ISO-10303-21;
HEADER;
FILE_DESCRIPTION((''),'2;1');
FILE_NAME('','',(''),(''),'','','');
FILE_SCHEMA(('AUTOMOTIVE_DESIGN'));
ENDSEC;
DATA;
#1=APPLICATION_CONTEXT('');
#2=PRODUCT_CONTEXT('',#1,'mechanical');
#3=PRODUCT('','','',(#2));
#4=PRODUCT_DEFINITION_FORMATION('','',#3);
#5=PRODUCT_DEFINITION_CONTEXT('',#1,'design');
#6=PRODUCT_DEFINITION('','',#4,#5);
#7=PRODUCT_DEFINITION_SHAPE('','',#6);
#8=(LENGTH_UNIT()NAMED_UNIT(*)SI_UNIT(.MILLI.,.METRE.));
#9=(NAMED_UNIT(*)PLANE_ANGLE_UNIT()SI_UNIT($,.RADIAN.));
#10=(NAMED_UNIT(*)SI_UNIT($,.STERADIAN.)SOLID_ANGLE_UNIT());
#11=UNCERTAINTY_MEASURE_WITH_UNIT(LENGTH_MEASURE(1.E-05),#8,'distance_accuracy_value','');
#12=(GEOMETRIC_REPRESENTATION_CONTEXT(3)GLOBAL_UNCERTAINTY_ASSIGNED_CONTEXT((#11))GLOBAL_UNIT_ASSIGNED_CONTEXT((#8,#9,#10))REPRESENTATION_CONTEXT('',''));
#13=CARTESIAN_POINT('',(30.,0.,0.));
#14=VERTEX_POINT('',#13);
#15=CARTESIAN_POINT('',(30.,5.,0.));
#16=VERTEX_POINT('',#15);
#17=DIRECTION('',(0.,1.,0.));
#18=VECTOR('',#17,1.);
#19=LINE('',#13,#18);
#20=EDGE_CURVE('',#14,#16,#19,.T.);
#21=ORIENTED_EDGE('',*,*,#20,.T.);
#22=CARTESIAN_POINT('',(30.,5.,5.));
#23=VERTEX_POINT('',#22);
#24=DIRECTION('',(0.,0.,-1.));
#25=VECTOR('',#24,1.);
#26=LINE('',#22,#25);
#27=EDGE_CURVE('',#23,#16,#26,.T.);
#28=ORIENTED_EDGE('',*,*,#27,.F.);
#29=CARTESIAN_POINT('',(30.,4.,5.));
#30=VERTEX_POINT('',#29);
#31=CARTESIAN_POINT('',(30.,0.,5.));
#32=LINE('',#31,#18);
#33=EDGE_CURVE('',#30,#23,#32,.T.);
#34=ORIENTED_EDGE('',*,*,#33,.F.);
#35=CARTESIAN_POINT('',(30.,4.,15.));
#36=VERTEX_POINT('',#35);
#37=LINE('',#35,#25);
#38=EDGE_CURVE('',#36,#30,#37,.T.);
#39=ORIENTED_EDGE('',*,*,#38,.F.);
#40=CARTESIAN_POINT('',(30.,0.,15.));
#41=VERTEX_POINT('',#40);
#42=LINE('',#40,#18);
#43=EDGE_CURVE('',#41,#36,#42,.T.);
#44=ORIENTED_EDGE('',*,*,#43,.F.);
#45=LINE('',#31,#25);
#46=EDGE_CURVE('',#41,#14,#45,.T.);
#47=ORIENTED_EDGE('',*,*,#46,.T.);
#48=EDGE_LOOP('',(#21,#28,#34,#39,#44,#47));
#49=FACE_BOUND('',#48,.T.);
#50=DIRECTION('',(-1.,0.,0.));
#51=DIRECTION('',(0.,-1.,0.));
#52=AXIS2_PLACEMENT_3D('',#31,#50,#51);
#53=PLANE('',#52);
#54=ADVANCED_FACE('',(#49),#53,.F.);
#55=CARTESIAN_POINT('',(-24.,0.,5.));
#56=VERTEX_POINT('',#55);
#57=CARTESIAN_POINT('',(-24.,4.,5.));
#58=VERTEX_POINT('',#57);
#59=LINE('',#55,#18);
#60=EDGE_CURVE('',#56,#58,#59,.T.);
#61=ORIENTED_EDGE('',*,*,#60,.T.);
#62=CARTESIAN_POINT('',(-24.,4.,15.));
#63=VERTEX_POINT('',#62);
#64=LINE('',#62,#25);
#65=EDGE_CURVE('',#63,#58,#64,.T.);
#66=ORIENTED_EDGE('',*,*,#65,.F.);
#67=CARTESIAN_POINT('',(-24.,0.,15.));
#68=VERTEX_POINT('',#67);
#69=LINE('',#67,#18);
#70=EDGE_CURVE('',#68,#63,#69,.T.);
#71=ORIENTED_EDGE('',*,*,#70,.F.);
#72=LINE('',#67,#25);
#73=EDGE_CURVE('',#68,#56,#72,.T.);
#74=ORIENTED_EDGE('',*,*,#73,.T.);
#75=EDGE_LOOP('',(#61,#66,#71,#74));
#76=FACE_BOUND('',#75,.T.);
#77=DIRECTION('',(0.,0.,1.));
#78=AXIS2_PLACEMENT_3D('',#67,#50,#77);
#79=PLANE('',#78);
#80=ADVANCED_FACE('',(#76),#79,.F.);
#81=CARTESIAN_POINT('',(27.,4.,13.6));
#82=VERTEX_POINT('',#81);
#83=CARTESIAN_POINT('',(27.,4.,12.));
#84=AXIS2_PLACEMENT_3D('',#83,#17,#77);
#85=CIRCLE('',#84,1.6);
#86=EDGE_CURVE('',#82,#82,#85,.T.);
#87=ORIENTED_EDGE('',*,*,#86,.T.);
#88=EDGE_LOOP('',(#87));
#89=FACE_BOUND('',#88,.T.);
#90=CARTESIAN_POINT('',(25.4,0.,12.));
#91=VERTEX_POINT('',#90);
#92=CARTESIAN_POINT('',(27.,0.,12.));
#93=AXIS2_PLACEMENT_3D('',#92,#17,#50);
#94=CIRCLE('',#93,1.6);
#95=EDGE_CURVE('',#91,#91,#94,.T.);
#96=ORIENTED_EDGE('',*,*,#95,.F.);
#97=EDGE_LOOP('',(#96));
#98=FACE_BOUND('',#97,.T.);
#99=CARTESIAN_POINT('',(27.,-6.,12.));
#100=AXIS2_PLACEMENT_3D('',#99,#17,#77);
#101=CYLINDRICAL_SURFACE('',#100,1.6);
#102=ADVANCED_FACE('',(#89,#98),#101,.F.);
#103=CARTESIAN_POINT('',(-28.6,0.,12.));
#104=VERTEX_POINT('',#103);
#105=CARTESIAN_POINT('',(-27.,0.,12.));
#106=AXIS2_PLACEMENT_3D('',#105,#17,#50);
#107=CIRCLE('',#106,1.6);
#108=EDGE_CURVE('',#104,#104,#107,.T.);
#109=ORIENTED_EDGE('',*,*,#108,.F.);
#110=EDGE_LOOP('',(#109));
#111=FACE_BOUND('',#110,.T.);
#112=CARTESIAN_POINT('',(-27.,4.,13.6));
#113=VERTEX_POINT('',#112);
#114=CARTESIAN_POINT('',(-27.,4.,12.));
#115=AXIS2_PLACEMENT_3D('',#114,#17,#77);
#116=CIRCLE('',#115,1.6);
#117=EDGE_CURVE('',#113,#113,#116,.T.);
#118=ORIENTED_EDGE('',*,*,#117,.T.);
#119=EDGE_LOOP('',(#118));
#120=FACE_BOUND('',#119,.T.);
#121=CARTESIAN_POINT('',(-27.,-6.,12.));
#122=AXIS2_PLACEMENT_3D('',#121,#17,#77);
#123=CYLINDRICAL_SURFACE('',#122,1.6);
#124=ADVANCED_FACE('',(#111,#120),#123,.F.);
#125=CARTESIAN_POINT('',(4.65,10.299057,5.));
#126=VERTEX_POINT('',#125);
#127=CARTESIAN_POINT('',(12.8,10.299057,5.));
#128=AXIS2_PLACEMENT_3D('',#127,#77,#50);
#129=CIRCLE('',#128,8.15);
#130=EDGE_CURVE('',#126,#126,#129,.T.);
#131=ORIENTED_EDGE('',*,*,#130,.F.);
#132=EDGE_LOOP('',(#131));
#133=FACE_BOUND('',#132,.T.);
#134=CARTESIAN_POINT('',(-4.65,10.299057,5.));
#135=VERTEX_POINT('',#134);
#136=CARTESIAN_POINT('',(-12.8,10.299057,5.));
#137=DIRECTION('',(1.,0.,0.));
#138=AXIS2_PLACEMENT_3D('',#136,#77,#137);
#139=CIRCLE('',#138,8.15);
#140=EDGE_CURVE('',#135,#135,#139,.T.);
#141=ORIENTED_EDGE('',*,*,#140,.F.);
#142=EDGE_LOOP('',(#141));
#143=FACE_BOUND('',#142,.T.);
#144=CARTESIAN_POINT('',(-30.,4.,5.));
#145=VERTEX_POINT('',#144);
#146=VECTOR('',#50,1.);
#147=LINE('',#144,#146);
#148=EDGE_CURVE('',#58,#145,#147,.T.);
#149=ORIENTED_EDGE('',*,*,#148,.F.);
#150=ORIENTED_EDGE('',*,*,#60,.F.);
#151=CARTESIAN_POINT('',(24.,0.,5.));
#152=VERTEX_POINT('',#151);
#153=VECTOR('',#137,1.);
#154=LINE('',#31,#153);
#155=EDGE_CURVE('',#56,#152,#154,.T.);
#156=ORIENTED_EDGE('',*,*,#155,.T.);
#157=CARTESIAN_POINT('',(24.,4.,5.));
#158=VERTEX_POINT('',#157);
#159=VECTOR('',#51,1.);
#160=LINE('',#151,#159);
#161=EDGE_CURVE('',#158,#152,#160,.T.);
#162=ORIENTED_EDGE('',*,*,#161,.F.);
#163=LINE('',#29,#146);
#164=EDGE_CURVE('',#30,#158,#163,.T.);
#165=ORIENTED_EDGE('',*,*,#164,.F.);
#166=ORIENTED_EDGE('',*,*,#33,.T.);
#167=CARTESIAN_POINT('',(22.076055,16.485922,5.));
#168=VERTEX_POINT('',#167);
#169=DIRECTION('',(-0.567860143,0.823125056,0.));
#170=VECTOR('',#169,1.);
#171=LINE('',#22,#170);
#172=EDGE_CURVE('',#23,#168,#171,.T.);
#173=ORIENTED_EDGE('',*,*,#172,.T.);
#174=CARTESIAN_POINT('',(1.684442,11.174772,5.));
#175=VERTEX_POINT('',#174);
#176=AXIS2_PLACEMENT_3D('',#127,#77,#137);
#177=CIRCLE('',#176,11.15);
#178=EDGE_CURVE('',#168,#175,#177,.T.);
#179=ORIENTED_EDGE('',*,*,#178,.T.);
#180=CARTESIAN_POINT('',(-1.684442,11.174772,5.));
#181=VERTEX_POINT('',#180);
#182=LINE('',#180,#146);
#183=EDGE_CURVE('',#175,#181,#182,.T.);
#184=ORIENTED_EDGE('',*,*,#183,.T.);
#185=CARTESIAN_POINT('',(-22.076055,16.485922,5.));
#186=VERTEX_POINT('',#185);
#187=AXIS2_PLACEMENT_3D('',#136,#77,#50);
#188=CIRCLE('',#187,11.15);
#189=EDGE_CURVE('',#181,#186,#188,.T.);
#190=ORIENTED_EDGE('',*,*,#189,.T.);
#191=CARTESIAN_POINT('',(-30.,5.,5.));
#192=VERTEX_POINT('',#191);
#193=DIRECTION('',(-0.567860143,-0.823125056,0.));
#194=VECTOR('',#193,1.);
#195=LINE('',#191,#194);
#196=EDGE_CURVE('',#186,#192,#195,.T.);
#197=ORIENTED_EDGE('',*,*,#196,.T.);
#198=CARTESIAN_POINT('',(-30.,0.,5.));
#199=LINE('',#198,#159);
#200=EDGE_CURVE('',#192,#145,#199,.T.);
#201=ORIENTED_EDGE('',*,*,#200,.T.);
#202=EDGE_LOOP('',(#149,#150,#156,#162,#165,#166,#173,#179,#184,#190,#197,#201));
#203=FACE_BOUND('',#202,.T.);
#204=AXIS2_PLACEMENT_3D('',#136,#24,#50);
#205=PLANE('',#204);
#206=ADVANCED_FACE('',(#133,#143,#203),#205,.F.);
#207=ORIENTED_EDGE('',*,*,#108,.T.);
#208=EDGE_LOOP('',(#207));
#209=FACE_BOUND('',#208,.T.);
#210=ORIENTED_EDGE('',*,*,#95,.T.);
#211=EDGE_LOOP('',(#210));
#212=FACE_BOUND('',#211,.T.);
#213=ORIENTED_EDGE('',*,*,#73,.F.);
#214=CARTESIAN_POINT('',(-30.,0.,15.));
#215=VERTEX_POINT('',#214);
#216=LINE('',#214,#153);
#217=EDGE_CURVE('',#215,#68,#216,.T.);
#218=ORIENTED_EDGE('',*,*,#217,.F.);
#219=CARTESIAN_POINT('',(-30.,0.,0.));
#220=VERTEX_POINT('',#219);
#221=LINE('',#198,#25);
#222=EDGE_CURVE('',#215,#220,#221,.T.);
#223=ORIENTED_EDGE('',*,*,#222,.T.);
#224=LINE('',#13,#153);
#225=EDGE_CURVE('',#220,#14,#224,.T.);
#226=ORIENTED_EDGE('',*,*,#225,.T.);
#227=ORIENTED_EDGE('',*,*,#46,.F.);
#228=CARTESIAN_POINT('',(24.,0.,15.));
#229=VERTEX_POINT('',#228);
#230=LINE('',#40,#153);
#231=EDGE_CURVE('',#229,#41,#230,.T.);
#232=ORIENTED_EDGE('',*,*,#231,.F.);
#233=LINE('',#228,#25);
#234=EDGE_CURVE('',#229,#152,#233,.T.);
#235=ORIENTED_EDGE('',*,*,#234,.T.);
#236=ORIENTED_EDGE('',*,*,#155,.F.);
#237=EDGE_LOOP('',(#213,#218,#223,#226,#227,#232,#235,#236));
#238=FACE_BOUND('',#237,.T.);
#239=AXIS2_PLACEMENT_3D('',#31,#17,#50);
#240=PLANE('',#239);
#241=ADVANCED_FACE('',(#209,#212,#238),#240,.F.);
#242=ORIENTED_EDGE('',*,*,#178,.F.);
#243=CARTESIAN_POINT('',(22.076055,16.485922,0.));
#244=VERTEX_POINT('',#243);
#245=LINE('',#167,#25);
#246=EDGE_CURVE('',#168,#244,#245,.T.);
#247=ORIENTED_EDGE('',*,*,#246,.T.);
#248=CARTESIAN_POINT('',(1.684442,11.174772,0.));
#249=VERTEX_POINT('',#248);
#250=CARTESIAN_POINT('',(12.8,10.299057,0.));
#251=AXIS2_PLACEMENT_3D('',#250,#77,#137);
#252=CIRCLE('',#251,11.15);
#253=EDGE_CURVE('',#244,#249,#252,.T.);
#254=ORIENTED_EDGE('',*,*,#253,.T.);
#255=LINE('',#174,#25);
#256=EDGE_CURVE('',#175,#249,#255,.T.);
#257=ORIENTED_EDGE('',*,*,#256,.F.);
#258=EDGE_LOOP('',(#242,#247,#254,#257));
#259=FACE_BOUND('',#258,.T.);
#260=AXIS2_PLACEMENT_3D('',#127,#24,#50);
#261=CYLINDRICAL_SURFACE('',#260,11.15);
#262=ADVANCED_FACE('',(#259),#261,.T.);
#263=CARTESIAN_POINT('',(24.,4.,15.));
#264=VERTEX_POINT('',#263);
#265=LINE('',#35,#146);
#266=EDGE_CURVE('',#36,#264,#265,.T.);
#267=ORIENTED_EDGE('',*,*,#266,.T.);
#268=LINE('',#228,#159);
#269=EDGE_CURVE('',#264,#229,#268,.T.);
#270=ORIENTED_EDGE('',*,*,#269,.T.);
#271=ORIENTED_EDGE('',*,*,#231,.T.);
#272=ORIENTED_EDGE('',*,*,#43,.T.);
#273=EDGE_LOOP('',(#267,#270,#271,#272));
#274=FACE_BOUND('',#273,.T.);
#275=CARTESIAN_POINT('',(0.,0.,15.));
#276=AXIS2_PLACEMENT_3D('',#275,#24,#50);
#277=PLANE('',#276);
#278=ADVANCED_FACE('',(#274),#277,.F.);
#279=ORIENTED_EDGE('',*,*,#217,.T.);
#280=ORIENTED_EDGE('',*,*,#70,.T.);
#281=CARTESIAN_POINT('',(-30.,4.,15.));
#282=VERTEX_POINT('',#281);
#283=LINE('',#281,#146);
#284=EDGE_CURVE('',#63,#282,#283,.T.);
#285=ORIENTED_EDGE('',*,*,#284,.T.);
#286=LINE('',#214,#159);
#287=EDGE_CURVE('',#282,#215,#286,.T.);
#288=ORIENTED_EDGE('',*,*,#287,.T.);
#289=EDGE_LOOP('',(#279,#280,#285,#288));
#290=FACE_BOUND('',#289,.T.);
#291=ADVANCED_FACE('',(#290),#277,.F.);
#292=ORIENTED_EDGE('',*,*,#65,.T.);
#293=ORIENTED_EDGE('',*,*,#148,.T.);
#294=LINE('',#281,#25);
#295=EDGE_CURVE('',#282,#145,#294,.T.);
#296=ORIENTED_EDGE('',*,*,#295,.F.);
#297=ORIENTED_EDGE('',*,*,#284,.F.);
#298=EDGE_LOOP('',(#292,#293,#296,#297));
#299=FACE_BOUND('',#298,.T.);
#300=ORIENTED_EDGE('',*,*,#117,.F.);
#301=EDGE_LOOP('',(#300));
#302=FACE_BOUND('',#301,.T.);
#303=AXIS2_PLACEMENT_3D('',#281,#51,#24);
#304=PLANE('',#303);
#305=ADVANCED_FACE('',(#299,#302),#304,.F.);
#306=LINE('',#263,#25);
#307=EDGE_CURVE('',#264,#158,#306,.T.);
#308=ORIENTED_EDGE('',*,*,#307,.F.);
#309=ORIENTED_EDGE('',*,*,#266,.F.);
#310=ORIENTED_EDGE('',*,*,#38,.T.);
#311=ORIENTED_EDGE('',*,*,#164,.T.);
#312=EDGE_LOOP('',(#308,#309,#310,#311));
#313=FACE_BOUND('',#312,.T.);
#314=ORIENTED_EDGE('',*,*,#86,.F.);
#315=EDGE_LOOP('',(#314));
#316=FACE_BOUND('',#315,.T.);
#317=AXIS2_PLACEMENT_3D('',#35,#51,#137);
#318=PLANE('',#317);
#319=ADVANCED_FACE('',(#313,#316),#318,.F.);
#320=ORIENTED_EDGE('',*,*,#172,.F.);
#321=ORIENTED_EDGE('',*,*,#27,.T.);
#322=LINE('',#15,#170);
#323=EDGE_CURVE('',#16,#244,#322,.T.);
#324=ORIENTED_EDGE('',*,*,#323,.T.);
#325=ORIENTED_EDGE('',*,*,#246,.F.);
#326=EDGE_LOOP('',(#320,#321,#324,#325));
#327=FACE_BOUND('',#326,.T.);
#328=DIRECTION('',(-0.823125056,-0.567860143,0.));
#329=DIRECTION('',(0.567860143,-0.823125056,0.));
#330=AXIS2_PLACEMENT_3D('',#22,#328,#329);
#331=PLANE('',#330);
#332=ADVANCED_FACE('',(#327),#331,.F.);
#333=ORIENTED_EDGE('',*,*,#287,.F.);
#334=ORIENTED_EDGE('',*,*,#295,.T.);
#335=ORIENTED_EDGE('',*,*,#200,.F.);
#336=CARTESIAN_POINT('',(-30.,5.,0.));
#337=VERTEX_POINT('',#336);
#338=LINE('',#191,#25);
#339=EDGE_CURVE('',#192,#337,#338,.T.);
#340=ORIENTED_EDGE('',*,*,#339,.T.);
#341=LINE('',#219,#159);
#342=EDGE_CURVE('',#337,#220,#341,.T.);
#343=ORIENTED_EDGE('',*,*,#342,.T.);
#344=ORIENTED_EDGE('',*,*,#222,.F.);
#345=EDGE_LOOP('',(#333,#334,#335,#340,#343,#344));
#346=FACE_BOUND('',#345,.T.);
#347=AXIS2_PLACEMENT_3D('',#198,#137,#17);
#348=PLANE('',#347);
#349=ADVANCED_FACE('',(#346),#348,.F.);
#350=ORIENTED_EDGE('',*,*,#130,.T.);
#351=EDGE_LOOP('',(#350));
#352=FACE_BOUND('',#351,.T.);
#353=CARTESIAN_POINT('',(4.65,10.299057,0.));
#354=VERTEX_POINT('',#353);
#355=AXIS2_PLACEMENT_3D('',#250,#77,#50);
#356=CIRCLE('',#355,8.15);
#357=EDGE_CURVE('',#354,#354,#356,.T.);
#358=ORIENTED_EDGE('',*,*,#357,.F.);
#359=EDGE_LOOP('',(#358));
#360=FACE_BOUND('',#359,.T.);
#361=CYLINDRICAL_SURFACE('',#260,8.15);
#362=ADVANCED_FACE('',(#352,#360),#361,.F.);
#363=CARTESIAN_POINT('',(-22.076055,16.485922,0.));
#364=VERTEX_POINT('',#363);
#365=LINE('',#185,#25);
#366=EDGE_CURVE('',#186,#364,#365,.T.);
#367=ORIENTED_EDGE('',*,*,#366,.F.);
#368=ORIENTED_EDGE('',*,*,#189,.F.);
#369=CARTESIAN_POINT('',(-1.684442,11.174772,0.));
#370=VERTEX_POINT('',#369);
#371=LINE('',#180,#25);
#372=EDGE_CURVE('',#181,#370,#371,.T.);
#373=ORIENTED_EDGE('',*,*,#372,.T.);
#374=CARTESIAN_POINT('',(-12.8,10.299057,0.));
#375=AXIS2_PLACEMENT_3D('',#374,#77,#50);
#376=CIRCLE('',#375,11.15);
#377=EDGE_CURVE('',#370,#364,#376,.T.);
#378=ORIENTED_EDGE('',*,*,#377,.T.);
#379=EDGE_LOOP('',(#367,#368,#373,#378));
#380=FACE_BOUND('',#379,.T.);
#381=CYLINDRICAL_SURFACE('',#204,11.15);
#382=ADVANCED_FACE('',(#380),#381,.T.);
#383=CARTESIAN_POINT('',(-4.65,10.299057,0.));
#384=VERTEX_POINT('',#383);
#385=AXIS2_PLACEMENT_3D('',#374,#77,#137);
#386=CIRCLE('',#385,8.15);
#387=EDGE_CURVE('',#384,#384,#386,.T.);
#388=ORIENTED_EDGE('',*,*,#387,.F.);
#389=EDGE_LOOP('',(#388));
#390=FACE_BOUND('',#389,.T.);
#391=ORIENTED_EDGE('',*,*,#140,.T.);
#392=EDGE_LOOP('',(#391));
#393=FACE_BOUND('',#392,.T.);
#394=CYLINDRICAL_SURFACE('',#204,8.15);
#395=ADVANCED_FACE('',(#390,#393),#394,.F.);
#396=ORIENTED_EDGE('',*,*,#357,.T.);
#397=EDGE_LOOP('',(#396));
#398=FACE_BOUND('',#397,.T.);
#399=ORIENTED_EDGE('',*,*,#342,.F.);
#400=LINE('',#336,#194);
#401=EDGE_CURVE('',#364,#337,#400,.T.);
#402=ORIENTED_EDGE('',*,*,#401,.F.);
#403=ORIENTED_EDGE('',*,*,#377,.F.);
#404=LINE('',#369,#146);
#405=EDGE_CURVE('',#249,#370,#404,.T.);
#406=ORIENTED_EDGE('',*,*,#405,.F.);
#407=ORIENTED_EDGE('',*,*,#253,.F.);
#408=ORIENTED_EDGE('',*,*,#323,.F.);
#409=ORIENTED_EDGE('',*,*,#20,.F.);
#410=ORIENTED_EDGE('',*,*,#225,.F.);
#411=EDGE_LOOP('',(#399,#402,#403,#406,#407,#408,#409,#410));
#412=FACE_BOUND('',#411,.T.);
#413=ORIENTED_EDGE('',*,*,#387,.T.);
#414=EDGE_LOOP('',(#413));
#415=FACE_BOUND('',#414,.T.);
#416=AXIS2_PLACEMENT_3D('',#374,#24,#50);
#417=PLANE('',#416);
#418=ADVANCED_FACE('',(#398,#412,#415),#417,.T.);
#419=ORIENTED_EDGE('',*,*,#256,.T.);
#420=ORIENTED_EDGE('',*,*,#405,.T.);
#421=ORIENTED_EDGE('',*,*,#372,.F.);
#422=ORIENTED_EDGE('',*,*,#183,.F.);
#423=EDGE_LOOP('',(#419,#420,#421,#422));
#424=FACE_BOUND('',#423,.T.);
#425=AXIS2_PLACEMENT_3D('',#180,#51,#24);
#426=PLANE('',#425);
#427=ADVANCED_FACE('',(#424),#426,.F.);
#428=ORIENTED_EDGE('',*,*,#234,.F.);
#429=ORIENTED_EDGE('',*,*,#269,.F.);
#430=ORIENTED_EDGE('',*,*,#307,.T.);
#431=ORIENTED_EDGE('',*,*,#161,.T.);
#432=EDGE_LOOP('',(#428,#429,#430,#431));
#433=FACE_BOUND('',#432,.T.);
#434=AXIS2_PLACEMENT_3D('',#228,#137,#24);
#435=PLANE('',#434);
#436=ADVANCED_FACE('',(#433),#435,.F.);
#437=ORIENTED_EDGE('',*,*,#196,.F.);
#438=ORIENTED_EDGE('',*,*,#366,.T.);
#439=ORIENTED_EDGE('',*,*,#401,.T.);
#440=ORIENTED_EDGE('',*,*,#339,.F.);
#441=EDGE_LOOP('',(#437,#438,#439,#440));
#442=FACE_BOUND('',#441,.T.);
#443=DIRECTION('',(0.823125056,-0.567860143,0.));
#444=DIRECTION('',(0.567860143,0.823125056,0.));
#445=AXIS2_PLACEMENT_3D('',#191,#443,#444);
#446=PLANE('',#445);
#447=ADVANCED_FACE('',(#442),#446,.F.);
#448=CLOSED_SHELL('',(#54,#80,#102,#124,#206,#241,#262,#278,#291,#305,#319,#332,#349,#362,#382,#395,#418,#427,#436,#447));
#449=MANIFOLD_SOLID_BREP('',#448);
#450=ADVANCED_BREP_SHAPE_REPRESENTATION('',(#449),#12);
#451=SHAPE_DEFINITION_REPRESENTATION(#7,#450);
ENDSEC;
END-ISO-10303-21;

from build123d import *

# Parameters (mm, degrees)
SKETCH1_R           = 8.15
BOSS_EXTRUDE1_DEPTH = 5
SKETCH3_W           = 6
SKETCH3_H           = 4
BOSS_EXTRUDE2_DEPTH = 10
SKETCH4_R           = 1.6
CUT_EXTRUDE1_DEPTH  = 10


with BuildPart() as part:
    # Sketch1 → Boss-Extrude1 (new body)
    with BuildSketch(Plane.XY):
        with BuildLine():
            Line((30, 0), (-30, 0))
            Line((-30, 0), (-30, 5))
            Line((-30, 5), (-22.076055104, 16.485922475))
            ThreePointArc((-22.076055104, 16.485922475), (-9.989658142, 21.089074765), (-1.684442299, 11.174772352))
            Line((-1.684442299, 11.174772352), (1.684442299, 11.174772352))
            ThreePointArc((1.684442299, 11.174772352), (9.989658142, 21.089074765), (22.076055104, 16.485922475))
            Line((22.076055104, 16.485922475), (30, 5))
            Line((30, 5), (30, 0))
        make_face()
        with Locations((-12.8, 10.299057219)):
            Circle(SKETCH1_R, mode=Mode.SUBTRACT)
        with Locations(Location((12.8, 10.299057219, 0), (0, 0, 180))):
            Circle(SKETCH1_R, mode=Mode.SUBTRACT)
    extrude(amount=BOSS_EXTRUDE1_DEPTH)

    # Sketch3 → Boss-Extrude2 (add)
    with BuildSketch(Plane.XY.offset(5)):
        with Locations((-27, 2)):
            Rectangle(SKETCH3_W, SKETCH3_H)
        with Locations((27, 2)):
            Rectangle(SKETCH3_W, SKETCH3_H)
    extrude(amount=BOSS_EXTRUDE2_DEPTH)

    # Sketch4 → Cut-Extrude1 (cut)
    with BuildSketch(Plane(origin=(0, 4, 0), x_dir=(1, 0, 0), z_dir=(0, 1, 0))):
        with Locations(Location((-27, -12, 0), (0, 0, 270))):
            Circle(SKETCH4_R)
        with Locations(Location((27, -12, 0), (0, 0, 270))):
            Circle(SKETCH4_R)
    extrude(amount=-CUT_EXTRUDE1_DEPTH, mode=Mode.SUBTRACT)


solid = part.part
